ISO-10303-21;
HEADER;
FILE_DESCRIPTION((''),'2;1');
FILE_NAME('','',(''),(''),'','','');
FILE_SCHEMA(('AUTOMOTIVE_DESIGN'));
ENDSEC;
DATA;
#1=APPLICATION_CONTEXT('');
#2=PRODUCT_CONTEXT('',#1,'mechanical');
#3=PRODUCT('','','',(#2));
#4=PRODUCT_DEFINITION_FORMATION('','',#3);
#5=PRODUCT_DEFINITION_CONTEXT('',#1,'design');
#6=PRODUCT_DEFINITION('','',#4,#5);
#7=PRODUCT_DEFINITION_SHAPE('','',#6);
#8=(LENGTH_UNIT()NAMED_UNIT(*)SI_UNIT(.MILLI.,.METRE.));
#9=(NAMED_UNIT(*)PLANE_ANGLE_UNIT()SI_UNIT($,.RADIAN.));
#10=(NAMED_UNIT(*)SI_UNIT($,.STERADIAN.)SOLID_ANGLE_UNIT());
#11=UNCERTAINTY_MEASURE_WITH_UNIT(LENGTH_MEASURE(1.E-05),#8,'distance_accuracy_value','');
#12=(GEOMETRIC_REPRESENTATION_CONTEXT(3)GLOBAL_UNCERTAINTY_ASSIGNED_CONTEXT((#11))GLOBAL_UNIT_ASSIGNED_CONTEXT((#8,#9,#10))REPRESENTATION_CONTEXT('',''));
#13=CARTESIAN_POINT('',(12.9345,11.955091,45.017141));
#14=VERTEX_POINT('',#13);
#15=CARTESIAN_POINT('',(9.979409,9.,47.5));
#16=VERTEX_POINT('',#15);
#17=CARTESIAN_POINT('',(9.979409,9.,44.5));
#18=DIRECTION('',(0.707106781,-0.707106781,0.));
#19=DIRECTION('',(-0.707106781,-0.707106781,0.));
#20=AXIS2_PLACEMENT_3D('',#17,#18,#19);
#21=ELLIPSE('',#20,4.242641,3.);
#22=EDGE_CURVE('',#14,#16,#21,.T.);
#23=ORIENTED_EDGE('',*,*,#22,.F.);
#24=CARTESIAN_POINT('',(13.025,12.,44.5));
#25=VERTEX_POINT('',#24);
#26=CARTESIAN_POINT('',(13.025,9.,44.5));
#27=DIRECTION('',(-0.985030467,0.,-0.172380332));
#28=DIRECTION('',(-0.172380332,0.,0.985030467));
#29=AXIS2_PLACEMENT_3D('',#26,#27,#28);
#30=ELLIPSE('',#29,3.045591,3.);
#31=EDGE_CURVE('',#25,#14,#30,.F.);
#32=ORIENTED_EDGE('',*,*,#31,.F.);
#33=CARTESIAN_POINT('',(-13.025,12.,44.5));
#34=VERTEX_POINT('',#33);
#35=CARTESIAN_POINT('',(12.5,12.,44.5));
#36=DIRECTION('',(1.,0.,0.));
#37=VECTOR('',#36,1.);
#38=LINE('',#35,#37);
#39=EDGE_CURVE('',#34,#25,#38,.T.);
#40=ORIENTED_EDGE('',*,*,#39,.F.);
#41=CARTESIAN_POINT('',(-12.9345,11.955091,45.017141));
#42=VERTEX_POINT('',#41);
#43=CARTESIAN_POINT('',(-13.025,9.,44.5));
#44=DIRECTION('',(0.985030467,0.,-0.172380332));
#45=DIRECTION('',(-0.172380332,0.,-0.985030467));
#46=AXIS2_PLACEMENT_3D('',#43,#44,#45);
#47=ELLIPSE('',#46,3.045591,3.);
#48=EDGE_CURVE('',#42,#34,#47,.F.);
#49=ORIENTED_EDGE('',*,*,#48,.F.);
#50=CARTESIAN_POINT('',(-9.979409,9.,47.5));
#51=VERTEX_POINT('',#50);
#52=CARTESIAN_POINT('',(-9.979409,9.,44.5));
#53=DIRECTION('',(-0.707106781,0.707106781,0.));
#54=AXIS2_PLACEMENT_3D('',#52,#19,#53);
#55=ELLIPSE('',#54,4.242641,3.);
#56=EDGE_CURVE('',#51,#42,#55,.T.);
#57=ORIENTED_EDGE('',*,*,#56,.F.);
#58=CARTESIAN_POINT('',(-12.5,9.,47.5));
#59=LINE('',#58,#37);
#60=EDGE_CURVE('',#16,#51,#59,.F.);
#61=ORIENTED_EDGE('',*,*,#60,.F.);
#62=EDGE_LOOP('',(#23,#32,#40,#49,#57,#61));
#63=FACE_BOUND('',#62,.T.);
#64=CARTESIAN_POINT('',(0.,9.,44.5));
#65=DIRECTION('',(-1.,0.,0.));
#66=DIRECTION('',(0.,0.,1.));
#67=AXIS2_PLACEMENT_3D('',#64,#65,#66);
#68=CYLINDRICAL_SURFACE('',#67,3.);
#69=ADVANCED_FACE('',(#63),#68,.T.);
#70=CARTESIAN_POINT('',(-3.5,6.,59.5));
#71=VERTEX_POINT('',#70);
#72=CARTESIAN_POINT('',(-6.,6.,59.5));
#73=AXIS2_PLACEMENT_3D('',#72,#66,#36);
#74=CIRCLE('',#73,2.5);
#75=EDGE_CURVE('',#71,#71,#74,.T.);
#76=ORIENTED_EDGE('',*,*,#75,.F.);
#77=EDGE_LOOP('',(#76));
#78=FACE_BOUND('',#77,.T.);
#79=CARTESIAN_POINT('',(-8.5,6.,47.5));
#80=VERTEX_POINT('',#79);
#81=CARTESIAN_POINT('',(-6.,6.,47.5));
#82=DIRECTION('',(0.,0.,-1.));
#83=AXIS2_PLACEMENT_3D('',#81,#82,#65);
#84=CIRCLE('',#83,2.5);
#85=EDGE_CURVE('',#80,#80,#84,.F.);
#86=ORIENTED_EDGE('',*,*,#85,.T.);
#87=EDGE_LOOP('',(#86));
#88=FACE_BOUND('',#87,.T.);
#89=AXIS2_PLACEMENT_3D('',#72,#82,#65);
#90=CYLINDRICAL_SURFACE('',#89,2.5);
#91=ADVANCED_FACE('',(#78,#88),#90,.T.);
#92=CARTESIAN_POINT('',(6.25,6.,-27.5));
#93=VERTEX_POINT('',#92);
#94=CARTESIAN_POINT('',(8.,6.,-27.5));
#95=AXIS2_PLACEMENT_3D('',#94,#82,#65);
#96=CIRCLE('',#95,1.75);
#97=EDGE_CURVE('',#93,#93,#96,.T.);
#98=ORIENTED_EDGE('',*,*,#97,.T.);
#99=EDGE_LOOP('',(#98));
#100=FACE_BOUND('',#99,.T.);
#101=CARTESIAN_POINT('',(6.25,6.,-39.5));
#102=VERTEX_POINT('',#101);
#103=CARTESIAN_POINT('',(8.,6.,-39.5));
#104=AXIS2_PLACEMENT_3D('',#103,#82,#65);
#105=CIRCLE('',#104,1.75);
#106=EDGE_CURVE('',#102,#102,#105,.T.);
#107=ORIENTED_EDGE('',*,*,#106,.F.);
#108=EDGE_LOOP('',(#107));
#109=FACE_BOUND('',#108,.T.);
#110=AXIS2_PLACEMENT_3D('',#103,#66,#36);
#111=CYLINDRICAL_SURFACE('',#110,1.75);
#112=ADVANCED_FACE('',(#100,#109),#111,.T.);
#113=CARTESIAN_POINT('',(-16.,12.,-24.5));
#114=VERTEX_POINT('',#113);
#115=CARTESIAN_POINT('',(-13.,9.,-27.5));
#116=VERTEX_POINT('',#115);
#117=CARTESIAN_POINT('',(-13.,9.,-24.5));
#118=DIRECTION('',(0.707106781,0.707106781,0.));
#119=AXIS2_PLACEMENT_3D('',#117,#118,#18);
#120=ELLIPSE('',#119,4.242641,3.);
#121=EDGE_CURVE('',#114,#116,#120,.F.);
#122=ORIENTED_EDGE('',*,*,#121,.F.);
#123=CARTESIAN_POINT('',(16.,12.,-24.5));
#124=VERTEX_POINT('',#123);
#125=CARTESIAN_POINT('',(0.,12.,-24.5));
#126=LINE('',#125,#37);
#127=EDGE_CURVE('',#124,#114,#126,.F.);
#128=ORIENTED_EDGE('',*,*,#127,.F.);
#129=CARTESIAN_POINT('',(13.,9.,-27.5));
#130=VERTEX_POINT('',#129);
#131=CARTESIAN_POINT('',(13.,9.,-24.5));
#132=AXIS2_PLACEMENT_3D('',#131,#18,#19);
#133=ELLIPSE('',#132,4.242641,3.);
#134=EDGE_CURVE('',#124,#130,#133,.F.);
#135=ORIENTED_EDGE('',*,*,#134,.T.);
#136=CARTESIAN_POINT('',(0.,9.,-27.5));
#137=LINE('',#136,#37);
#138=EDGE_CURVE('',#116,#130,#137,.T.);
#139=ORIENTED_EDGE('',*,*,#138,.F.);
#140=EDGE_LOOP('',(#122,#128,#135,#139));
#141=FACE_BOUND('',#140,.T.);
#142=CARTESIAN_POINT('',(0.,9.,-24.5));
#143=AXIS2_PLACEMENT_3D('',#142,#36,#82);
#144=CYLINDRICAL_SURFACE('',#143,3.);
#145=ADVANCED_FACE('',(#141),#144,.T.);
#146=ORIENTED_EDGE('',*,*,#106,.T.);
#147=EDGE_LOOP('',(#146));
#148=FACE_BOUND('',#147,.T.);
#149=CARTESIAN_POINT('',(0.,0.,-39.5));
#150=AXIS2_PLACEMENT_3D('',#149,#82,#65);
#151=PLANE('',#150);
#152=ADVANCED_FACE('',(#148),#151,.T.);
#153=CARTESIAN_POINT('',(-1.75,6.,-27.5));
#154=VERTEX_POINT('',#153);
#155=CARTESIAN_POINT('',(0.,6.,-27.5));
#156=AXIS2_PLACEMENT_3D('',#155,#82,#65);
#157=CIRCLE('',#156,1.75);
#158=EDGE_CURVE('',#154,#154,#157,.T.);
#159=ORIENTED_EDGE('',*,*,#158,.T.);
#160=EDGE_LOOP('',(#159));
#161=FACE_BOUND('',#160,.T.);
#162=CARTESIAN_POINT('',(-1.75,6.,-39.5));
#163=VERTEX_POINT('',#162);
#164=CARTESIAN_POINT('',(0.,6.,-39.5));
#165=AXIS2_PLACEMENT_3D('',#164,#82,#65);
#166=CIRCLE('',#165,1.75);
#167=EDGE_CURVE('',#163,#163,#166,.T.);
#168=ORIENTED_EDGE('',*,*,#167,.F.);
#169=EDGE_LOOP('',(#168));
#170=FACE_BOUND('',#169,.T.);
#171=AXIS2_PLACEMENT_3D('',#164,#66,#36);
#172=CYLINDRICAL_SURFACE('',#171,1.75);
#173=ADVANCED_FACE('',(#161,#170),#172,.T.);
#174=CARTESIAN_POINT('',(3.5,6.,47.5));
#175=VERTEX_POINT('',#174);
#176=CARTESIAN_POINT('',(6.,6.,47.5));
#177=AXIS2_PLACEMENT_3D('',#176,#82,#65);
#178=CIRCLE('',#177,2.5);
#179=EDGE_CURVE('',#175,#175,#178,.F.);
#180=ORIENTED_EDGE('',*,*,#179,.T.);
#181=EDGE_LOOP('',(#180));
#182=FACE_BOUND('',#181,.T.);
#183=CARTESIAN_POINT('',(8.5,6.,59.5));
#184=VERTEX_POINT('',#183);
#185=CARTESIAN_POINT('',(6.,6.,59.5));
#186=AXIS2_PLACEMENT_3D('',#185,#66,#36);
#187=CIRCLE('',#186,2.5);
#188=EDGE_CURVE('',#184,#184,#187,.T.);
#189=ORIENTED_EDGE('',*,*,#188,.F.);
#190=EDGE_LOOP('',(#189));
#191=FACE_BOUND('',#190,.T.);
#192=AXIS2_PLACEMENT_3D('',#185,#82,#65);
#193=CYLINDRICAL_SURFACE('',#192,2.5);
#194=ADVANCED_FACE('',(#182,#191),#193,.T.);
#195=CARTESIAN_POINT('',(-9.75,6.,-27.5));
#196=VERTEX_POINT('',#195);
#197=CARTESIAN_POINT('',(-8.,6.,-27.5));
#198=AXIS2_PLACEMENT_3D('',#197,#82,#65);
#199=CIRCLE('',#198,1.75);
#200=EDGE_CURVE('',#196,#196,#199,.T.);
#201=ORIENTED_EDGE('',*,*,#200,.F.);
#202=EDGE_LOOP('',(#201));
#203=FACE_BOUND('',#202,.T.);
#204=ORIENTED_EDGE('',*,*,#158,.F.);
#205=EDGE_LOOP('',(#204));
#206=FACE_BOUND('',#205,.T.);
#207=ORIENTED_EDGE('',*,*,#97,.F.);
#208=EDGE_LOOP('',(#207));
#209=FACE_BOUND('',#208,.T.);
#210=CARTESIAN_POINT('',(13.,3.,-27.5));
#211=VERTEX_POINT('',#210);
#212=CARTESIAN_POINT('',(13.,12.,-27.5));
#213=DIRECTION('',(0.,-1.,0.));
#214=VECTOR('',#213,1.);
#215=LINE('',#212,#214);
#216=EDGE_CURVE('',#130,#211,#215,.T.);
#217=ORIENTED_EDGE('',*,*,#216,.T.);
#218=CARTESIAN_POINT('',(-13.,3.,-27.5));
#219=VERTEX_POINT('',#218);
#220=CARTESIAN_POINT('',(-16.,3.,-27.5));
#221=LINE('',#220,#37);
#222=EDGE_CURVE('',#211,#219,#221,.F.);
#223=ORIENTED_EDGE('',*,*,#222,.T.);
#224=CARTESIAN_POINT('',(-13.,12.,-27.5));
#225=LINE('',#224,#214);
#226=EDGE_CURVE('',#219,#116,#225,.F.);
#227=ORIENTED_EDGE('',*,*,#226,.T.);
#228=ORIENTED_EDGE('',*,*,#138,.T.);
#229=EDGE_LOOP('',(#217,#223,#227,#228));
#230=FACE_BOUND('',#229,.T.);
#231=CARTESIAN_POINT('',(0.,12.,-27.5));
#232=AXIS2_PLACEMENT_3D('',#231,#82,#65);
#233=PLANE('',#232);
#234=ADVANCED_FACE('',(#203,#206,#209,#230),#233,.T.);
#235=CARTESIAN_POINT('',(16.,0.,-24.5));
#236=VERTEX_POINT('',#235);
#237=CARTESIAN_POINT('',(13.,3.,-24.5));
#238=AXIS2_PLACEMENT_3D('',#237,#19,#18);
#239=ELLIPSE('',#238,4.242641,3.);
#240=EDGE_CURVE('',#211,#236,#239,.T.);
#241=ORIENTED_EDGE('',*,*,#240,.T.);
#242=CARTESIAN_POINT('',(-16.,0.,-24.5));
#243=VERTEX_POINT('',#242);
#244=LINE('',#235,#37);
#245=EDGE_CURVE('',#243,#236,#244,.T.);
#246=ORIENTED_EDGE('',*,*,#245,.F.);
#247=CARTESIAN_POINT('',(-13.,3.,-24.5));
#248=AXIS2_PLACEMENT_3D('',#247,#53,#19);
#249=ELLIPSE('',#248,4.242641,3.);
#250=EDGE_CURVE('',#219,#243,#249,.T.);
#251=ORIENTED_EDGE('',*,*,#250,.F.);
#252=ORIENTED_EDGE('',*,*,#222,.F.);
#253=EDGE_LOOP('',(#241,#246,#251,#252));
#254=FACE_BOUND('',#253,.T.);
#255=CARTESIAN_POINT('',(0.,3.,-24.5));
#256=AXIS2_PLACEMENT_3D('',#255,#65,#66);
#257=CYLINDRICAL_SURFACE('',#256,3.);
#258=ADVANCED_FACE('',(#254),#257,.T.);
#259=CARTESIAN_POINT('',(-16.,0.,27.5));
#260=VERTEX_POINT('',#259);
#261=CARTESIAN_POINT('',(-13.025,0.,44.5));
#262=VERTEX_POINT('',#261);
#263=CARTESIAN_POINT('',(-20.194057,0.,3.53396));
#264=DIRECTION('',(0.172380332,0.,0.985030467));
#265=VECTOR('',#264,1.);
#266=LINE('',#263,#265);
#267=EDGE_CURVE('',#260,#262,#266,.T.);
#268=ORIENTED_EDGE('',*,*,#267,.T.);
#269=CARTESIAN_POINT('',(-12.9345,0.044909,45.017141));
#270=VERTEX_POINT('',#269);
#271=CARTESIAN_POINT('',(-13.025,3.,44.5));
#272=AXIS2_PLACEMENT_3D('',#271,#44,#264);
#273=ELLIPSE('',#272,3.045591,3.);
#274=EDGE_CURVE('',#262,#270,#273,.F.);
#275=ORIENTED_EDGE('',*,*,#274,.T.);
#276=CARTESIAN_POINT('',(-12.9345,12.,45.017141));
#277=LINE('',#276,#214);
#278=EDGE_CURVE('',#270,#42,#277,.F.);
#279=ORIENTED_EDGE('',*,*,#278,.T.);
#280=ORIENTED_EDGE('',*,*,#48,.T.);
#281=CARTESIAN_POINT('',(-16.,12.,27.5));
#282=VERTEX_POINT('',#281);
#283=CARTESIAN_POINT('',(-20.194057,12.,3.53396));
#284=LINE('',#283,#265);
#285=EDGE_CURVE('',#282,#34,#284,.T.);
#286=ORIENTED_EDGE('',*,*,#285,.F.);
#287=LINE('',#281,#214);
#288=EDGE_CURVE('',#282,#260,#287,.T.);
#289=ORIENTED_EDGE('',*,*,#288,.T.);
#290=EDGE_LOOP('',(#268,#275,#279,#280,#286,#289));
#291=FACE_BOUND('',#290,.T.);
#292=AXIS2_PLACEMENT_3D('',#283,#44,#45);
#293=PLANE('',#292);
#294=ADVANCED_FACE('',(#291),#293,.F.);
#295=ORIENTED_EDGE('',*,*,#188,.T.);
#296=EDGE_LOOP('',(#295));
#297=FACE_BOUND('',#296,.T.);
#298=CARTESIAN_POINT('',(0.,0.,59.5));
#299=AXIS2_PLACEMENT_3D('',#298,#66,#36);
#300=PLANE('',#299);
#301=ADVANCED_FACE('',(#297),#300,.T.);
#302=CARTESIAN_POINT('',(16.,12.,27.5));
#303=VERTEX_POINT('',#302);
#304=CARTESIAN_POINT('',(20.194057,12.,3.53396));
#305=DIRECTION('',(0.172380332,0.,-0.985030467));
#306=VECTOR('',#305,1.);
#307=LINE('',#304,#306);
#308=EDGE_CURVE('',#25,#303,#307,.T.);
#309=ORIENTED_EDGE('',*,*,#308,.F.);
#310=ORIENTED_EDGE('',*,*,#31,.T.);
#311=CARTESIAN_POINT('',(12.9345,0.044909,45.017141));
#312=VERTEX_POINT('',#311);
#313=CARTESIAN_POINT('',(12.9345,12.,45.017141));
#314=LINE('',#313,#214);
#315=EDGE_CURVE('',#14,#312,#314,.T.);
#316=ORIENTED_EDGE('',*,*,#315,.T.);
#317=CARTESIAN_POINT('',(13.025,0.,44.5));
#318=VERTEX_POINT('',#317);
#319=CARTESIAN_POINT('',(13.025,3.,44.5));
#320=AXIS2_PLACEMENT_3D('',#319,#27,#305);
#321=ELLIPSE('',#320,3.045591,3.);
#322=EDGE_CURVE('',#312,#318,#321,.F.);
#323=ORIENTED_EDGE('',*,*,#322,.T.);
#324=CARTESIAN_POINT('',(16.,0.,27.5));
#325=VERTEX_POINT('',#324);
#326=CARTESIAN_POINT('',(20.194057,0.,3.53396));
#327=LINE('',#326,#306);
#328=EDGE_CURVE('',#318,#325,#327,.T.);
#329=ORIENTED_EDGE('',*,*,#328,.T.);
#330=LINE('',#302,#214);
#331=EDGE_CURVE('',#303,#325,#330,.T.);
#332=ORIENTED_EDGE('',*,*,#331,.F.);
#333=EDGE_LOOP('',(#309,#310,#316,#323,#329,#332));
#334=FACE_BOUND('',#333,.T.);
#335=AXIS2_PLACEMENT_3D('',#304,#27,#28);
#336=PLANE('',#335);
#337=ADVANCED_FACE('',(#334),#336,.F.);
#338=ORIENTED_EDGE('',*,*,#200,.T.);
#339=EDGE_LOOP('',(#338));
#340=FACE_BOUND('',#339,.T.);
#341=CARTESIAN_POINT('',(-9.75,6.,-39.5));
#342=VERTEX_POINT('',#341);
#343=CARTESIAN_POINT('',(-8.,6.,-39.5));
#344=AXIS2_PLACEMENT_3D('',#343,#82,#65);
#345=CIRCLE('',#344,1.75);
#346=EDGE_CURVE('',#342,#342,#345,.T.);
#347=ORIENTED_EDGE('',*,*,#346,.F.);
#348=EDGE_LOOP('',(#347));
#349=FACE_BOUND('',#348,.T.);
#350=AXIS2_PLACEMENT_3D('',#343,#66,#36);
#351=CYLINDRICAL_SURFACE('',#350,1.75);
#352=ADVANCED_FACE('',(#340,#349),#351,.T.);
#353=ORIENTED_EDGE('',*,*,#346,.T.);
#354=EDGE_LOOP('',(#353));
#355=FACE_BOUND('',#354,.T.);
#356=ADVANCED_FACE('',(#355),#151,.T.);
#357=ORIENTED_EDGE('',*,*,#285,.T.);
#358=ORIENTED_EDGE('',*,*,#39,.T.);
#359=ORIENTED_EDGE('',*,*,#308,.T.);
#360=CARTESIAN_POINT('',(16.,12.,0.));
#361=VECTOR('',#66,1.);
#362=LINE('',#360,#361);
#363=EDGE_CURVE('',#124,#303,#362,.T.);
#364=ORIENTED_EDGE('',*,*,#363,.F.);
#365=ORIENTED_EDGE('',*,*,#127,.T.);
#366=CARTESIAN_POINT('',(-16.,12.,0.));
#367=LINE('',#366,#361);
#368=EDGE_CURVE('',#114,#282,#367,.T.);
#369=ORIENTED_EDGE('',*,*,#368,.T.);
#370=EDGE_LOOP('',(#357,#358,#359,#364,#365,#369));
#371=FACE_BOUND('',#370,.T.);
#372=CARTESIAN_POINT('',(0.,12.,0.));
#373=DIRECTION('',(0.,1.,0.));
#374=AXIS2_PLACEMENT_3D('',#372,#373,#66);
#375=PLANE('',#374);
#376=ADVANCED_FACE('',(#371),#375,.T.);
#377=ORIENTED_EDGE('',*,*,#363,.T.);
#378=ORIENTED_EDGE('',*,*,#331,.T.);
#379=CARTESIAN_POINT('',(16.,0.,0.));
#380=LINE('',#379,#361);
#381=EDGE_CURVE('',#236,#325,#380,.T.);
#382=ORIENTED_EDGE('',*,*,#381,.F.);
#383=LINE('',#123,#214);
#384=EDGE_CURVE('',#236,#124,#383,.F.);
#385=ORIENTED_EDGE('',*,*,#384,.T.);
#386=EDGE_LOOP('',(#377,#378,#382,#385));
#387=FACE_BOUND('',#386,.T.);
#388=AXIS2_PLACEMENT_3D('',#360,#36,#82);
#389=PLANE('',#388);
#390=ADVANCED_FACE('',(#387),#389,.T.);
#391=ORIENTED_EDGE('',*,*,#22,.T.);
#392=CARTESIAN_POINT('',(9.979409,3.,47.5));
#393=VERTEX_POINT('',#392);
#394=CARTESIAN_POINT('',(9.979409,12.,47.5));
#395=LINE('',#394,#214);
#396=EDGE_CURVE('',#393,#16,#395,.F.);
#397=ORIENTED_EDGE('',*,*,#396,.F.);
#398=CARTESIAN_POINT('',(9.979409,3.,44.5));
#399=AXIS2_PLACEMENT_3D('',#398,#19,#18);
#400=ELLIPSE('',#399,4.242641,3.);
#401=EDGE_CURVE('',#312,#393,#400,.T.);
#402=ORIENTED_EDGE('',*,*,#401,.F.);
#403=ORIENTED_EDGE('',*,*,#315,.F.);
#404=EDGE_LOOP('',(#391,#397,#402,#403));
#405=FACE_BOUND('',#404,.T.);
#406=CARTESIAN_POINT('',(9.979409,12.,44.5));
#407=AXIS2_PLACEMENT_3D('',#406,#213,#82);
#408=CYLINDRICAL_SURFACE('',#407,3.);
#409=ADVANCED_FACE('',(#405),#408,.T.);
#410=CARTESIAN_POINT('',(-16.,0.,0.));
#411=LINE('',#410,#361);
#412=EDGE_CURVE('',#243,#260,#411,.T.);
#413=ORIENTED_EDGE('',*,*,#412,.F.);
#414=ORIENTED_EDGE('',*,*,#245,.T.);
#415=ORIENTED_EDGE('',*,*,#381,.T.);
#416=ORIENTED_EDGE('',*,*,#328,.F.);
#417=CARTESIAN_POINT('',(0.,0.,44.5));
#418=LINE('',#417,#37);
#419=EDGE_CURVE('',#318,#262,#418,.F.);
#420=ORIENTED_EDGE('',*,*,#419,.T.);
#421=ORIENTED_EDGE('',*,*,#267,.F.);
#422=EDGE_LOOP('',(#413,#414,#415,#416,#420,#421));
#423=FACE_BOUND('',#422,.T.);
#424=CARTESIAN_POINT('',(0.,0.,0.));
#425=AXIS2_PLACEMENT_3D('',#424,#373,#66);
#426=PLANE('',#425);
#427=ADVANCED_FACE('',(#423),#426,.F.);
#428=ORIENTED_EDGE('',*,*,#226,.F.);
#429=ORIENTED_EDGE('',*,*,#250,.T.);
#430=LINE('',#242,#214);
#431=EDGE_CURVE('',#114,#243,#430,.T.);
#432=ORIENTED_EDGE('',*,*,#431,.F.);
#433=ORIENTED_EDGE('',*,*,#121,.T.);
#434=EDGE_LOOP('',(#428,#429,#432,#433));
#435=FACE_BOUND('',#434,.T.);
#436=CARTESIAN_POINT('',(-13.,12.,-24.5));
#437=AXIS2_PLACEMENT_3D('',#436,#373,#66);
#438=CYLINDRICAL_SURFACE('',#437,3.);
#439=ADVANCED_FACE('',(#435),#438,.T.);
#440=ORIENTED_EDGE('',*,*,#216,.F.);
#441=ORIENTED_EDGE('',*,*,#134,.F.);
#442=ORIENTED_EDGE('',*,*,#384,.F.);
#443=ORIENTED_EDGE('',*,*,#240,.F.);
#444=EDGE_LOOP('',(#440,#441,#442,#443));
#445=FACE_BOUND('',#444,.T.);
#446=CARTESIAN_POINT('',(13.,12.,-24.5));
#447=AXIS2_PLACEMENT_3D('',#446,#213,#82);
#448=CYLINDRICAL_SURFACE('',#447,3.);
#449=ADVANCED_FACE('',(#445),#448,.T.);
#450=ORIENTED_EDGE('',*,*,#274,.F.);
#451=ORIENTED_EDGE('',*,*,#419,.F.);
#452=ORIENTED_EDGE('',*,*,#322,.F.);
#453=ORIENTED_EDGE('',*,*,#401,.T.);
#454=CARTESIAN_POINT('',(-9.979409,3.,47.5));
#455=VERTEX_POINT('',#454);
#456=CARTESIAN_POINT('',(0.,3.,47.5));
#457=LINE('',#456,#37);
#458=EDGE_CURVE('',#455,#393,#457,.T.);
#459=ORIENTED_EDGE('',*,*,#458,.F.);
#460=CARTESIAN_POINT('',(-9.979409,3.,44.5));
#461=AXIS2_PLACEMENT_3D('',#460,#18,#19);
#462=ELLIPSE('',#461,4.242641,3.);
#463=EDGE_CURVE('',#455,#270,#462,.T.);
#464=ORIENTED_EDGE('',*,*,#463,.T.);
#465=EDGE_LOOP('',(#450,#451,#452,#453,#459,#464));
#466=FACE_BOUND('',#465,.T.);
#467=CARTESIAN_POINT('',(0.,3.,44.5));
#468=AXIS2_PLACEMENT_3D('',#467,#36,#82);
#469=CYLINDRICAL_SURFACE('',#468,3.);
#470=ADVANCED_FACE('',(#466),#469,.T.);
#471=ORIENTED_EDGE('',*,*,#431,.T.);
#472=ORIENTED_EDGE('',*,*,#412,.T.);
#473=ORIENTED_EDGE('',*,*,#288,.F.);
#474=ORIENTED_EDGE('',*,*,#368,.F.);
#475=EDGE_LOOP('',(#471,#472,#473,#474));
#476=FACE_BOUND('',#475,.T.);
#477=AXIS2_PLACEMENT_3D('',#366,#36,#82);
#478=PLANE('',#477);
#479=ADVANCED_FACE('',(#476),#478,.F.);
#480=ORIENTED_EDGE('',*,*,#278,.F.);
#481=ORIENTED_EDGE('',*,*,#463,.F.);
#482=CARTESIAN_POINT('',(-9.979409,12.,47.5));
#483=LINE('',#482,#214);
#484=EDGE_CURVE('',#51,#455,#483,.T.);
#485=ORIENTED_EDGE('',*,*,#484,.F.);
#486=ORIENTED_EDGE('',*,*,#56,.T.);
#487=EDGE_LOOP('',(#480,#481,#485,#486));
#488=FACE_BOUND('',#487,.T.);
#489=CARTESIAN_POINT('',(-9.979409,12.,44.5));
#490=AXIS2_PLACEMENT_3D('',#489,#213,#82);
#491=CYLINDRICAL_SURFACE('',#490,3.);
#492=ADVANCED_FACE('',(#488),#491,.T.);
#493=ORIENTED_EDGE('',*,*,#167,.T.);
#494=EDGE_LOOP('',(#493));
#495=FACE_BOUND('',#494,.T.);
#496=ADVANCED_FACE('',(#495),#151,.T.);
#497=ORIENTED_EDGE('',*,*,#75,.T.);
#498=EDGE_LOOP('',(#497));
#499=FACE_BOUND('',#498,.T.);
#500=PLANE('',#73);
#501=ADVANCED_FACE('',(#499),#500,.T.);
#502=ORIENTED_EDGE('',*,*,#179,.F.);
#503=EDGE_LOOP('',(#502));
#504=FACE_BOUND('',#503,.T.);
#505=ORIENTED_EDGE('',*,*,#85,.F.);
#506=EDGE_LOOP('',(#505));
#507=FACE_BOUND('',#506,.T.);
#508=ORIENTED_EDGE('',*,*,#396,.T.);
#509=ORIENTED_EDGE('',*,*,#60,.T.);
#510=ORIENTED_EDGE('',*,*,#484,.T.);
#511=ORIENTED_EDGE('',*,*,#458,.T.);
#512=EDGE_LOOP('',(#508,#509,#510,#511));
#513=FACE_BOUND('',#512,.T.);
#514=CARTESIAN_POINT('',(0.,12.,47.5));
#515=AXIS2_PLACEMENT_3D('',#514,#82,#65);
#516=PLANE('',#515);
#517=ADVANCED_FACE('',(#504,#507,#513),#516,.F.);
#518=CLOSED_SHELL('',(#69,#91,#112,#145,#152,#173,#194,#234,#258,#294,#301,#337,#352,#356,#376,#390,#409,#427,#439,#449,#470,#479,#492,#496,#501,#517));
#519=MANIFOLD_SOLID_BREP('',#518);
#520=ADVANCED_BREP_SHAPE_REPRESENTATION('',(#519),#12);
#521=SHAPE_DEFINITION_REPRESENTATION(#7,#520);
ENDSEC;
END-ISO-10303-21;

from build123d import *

# Parameters (mm, degrees)
EXTRUDE_1_DEPTH = 12
EXTRUDE_2_DEPTH = 12
SKETCH_2_R      = 2.5
EXTRUDE_3_DEPTH = 12
SKETCH_3_R      = 1.75
EXTRUDE_4_DEPTH = 12
FILLET_1_R      = 3


with BuildPart() as part:
    # 草图1 → 凸台-拉伸1 (new body)
    with BuildSketch(Plane(origin=(0, 0, 0), x_dir=(1, 0, 0), z_dir=(0, 1, 0))):
        Polygon((16, 27.5), (-16, 27.5), (-16, -27.5), (0, -27.5), (16, -27.5), align=None)
    extrude(amount=EXTRUDE_1_DEPTH)

    # 草图1<3> → 凸台-拉伸2 (add)
    with BuildSketch(Plane(origin=(0, 0, 0), x_dir=(1, 0, 0), z_dir=(0, 1, 0))):
        Polygon((-16, -27.5), (-12.5, -47.5), (12.5, -47.5), (16, -27.5), align=None)
    extrude(amount=EXTRUDE_2_DEPTH)

    # 草图2 → 凸台-拉伸3 (add)
    with BuildSketch(Plane.XY.offset(47.5)):
        with Locations((6, 6)):
            Circle(SKETCH_2_R)
        with Locations((-6, 6)):
            Circle(SKETCH_2_R)
    extrude(amount=EXTRUDE_3_DEPTH)

    # 草图3 → 凸台-拉伸4 (add)
    with BuildSketch(Plane(origin=(0, 0, -27.5), x_dir=(-1, 0, 0), z_dir=(0, 0, -1))):
        with Locations((0, 6)):
            Circle(SKETCH_3_R)
        with Locations((8, 6)):
            Circle(SKETCH_3_R)
        with Locations((-8, 6)):
            Circle(SKETCH_3_R)
    extrude(amount=EXTRUDE_4_DEPTH)

    # 圆角1
    fillet_1_edges = [part.edges().sort_by_distance(p)[0] for p in [
        (0, 0, 47.5),
        (-12.5, 6, 47.5),
        (0, 12, 47.5),
        (12.5, 6, 47.5),
        (-16, 6, -27.5),
        (0, 0, -27.5),
        (0, 12, -27.5),
        (16, 6, -27.5),
    ]]
    fillet(fillet_1_edges, radius=FILLET_1_R)


solid = part.part
